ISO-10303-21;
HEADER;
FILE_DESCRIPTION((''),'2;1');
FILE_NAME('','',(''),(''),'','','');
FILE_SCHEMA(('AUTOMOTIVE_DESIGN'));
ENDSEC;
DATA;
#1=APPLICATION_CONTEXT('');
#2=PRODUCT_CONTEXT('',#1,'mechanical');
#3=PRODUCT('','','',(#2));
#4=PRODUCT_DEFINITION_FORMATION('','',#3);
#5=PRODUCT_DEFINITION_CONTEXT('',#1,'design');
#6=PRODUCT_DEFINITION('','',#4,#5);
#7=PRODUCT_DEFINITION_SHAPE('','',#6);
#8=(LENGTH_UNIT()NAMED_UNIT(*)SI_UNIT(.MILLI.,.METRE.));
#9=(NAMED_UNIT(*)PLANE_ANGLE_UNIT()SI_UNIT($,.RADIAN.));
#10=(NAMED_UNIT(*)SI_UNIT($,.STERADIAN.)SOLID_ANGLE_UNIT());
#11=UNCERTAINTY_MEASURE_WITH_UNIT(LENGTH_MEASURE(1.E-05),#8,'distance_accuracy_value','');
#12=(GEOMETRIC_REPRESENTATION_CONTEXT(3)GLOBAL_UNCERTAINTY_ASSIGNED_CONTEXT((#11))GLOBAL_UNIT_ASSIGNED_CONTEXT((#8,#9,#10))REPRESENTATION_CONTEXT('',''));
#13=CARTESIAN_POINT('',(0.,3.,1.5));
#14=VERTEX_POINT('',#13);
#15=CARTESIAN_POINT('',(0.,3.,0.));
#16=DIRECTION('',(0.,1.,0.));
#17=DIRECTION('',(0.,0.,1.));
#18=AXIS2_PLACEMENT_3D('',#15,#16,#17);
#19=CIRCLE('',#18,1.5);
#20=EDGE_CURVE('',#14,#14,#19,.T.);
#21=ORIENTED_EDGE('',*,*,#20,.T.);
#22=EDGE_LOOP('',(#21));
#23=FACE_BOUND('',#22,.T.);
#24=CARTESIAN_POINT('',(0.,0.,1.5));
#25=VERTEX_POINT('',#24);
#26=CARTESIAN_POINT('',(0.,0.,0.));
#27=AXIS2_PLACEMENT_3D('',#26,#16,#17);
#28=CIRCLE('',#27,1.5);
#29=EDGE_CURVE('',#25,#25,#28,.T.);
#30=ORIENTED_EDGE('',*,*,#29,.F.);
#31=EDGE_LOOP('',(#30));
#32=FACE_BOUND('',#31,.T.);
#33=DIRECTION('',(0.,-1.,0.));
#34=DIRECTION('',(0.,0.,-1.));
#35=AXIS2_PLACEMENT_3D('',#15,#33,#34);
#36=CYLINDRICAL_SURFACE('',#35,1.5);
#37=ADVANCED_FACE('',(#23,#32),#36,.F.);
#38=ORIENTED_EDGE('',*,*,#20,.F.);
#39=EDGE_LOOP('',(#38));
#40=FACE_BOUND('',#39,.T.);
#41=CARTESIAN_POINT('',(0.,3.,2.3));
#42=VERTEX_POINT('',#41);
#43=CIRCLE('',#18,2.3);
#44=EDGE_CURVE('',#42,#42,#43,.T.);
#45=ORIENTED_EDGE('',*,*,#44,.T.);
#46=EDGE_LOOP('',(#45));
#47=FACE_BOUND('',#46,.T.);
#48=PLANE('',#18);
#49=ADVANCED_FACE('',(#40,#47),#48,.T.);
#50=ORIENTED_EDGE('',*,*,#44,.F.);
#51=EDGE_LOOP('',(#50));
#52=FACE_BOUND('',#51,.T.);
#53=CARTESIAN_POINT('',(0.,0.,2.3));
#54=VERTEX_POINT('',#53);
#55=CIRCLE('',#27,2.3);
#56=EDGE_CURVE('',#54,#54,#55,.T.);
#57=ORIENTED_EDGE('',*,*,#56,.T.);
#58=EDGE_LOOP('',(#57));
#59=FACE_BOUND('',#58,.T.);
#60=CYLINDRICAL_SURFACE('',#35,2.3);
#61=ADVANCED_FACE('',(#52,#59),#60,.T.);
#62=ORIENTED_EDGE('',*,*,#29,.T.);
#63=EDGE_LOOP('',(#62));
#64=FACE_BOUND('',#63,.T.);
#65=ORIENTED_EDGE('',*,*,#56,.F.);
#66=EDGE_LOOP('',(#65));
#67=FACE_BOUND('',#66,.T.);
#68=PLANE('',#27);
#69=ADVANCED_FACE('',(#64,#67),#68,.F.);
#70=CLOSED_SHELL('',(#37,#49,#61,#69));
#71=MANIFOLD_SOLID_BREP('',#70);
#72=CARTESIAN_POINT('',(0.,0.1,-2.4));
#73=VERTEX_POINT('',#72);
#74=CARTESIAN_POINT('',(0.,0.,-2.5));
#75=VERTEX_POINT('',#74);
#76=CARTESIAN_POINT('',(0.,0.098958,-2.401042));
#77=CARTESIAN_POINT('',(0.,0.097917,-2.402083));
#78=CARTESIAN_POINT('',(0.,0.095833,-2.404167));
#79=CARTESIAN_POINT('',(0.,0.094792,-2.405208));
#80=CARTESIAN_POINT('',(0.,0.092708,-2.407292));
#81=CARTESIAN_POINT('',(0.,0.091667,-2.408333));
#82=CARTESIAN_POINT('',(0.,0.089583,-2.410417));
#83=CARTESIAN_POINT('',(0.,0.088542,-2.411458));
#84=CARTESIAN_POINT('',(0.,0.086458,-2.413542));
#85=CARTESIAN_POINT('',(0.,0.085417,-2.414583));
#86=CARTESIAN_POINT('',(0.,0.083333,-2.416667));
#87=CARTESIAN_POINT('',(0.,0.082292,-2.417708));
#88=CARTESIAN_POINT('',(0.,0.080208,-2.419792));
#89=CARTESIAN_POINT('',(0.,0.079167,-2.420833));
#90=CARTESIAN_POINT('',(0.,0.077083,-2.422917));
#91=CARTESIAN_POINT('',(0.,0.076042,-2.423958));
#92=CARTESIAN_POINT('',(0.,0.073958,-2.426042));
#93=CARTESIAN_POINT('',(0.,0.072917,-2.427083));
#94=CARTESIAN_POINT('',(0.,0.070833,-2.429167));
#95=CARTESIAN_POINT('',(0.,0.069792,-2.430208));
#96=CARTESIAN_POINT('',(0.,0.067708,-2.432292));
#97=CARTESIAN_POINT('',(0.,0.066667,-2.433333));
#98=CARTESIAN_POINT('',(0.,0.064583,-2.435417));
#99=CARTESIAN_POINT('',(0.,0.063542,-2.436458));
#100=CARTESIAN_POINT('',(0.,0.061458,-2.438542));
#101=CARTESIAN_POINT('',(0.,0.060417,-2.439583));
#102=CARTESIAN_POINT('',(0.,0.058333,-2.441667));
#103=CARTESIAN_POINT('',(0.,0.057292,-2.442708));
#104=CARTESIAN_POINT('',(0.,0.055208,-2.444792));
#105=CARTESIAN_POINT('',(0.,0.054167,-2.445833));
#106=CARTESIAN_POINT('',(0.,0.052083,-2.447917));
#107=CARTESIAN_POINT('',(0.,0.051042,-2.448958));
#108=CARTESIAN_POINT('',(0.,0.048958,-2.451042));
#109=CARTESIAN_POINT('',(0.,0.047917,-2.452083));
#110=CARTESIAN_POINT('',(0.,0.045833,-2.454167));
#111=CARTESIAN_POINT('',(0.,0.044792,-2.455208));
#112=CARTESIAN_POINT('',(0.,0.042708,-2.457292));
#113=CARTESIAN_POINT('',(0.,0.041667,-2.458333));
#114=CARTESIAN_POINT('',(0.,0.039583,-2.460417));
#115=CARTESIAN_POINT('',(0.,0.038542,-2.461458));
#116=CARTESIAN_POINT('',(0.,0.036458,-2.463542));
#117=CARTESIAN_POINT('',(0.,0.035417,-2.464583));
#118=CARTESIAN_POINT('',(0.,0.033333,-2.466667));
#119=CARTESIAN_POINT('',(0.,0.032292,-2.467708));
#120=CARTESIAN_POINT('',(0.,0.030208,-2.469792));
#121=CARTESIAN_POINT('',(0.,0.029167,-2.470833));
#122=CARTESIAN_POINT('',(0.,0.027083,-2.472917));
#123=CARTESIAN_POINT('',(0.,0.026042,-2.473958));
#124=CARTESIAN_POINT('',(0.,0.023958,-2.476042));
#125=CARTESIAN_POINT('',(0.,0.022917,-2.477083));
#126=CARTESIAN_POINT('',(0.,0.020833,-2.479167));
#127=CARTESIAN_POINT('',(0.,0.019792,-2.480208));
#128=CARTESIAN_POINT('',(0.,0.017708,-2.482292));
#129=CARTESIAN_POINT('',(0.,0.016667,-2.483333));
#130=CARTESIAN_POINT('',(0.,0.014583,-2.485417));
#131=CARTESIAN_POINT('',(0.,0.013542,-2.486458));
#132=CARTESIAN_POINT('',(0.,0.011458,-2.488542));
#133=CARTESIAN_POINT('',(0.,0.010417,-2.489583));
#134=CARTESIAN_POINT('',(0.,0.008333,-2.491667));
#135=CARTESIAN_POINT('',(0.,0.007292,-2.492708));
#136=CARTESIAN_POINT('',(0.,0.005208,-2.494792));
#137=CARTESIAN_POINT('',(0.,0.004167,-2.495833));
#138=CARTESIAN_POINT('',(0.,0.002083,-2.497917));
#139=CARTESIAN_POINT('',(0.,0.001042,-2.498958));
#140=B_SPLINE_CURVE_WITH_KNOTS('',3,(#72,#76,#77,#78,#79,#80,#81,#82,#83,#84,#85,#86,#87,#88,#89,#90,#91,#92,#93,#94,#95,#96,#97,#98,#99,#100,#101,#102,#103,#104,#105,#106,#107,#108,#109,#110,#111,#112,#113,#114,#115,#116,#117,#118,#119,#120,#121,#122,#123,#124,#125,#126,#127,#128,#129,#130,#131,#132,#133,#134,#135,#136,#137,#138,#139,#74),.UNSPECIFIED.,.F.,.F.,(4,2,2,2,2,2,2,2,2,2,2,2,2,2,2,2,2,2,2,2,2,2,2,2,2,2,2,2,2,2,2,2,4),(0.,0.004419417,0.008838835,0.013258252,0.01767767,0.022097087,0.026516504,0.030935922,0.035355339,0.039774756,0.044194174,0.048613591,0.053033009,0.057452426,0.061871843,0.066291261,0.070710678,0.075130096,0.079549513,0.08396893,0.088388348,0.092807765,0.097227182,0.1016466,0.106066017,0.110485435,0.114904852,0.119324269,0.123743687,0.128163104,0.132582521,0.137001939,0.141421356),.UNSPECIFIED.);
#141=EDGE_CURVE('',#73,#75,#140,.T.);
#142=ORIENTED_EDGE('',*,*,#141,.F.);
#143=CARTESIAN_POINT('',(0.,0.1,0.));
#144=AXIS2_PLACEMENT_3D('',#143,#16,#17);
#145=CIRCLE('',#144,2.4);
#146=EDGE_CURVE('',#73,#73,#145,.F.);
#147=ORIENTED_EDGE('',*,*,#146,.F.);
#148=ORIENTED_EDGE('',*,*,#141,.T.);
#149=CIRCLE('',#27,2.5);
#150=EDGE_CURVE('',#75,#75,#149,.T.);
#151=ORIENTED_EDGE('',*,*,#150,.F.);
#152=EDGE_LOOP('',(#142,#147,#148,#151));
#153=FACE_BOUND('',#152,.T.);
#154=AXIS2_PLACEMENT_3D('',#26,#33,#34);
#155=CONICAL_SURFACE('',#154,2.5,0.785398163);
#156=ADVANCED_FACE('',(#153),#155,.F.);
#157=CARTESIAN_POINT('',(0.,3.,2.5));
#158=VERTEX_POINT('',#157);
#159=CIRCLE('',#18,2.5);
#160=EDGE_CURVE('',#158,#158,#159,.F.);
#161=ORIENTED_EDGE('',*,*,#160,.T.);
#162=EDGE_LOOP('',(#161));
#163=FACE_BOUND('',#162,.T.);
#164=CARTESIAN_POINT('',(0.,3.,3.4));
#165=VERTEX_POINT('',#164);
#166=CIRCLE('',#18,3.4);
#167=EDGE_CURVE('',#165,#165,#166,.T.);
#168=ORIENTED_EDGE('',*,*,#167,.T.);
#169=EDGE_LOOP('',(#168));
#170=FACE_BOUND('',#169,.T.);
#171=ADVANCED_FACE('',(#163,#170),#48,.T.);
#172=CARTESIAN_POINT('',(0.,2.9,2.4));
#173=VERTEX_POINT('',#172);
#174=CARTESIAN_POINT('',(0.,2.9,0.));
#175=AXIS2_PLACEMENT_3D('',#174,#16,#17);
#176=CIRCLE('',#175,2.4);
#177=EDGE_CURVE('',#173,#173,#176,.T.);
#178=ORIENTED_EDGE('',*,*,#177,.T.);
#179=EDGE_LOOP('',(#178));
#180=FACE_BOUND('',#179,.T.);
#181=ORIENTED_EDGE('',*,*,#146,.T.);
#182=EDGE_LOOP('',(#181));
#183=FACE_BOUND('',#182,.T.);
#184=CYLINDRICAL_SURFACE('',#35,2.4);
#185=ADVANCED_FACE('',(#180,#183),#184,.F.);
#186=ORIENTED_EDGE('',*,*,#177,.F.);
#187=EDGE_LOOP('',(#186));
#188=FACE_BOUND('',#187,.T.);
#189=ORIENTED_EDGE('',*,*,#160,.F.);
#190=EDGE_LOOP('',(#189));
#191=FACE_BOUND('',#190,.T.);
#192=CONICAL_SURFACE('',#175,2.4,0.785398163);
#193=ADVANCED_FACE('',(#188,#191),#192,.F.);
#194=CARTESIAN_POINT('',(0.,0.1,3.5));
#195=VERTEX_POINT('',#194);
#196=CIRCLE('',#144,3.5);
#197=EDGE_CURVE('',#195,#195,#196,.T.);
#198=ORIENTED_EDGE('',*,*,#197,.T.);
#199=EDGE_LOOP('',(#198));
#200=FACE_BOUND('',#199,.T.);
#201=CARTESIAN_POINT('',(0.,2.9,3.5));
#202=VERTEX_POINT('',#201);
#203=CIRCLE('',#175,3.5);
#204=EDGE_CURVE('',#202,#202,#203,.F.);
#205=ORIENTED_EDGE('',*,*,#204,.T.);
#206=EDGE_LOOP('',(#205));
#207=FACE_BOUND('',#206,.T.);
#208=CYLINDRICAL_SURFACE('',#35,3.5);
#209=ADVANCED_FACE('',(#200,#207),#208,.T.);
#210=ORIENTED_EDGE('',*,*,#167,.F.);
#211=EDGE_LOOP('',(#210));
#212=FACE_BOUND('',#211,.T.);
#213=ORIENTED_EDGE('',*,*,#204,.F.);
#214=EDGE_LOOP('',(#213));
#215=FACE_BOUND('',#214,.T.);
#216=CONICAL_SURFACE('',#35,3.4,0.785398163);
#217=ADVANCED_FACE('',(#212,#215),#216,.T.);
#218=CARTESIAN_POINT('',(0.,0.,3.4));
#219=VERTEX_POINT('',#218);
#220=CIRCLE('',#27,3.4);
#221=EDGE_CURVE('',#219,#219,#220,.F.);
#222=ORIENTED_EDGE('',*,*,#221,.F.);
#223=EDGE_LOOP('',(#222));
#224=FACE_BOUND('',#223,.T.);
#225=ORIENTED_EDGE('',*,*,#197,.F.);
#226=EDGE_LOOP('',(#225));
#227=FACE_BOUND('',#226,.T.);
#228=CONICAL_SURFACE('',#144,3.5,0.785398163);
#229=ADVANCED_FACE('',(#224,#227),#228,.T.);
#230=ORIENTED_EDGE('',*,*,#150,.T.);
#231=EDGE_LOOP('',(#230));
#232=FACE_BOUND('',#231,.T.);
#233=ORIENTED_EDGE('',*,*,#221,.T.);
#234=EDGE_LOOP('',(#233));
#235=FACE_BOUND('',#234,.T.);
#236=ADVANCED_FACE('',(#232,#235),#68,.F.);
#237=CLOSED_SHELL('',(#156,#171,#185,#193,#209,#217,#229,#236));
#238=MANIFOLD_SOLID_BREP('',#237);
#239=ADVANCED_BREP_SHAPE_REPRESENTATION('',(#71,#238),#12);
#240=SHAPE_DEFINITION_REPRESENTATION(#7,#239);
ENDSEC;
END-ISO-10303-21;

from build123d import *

# Parameters (mm, degrees)
ESQUISSE1_R          = 3.5
ESQUISSE1_R_2        = 2.4
BOSS_EXTRU_1_DEPTH   = 3
ESQUISSE1_R_3        = 2.3
ESQUISSE1_R_4        = 1.5
BOSS_EXTRU_1_2_DEPTH = 3
CHANFREIN1_SIZE      = 0.1


with BuildPart() as part:
    # Esquisse1 → Boss.-Extru.1 (new body)
    with BuildSketch(Plane(origin=(0, 0, 0), x_dir=(1, 0, 0), z_dir=(0, 1, 0))):
        with Locations(Location((0, 0, 0), (0, 0, 270))):
            Circle(ESQUISSE1_R)
        with Locations(Location((0, 0, 0), (0, 0, 270))):
            Circle(ESQUISSE1_R_2, mode=Mode.SUBTRACT)
    extrude(amount=BOSS_EXTRU_1_DEPTH)

    # Chanfrein1
    chanfrein1_edges = [part.edges().sort_by_distance(p)[0] for p in [
        (0, 0, -3.5),
        (0, 0, -2.4),
        (0, 3, -2.4),
        (0, 3, -3.5),
    ]]
    chamfer(chanfrein1_edges, length=CHANFREIN1_SIZE)


with BuildPart() as body_2:
    # Esquisse1 → Boss.-Extru.1 2 (new body)
    with BuildSketch(Plane(origin=(0, 0, 0), x_dir=(1, 0, 0), z_dir=(0, 1, 0))):
        with Locations(Location((0, 0, 0), (0, 0, 270))):
            Circle(ESQUISSE1_R_3)
        with Locations(Location((0, 0, 0), (0, 0, 270))):
            Circle(ESQUISSE1_R_4, mode=Mode.SUBTRACT)
    extrude(amount=BOSS_EXTRU_1_2_DEPTH)


solid = Compound([part.part, body_2.part])
